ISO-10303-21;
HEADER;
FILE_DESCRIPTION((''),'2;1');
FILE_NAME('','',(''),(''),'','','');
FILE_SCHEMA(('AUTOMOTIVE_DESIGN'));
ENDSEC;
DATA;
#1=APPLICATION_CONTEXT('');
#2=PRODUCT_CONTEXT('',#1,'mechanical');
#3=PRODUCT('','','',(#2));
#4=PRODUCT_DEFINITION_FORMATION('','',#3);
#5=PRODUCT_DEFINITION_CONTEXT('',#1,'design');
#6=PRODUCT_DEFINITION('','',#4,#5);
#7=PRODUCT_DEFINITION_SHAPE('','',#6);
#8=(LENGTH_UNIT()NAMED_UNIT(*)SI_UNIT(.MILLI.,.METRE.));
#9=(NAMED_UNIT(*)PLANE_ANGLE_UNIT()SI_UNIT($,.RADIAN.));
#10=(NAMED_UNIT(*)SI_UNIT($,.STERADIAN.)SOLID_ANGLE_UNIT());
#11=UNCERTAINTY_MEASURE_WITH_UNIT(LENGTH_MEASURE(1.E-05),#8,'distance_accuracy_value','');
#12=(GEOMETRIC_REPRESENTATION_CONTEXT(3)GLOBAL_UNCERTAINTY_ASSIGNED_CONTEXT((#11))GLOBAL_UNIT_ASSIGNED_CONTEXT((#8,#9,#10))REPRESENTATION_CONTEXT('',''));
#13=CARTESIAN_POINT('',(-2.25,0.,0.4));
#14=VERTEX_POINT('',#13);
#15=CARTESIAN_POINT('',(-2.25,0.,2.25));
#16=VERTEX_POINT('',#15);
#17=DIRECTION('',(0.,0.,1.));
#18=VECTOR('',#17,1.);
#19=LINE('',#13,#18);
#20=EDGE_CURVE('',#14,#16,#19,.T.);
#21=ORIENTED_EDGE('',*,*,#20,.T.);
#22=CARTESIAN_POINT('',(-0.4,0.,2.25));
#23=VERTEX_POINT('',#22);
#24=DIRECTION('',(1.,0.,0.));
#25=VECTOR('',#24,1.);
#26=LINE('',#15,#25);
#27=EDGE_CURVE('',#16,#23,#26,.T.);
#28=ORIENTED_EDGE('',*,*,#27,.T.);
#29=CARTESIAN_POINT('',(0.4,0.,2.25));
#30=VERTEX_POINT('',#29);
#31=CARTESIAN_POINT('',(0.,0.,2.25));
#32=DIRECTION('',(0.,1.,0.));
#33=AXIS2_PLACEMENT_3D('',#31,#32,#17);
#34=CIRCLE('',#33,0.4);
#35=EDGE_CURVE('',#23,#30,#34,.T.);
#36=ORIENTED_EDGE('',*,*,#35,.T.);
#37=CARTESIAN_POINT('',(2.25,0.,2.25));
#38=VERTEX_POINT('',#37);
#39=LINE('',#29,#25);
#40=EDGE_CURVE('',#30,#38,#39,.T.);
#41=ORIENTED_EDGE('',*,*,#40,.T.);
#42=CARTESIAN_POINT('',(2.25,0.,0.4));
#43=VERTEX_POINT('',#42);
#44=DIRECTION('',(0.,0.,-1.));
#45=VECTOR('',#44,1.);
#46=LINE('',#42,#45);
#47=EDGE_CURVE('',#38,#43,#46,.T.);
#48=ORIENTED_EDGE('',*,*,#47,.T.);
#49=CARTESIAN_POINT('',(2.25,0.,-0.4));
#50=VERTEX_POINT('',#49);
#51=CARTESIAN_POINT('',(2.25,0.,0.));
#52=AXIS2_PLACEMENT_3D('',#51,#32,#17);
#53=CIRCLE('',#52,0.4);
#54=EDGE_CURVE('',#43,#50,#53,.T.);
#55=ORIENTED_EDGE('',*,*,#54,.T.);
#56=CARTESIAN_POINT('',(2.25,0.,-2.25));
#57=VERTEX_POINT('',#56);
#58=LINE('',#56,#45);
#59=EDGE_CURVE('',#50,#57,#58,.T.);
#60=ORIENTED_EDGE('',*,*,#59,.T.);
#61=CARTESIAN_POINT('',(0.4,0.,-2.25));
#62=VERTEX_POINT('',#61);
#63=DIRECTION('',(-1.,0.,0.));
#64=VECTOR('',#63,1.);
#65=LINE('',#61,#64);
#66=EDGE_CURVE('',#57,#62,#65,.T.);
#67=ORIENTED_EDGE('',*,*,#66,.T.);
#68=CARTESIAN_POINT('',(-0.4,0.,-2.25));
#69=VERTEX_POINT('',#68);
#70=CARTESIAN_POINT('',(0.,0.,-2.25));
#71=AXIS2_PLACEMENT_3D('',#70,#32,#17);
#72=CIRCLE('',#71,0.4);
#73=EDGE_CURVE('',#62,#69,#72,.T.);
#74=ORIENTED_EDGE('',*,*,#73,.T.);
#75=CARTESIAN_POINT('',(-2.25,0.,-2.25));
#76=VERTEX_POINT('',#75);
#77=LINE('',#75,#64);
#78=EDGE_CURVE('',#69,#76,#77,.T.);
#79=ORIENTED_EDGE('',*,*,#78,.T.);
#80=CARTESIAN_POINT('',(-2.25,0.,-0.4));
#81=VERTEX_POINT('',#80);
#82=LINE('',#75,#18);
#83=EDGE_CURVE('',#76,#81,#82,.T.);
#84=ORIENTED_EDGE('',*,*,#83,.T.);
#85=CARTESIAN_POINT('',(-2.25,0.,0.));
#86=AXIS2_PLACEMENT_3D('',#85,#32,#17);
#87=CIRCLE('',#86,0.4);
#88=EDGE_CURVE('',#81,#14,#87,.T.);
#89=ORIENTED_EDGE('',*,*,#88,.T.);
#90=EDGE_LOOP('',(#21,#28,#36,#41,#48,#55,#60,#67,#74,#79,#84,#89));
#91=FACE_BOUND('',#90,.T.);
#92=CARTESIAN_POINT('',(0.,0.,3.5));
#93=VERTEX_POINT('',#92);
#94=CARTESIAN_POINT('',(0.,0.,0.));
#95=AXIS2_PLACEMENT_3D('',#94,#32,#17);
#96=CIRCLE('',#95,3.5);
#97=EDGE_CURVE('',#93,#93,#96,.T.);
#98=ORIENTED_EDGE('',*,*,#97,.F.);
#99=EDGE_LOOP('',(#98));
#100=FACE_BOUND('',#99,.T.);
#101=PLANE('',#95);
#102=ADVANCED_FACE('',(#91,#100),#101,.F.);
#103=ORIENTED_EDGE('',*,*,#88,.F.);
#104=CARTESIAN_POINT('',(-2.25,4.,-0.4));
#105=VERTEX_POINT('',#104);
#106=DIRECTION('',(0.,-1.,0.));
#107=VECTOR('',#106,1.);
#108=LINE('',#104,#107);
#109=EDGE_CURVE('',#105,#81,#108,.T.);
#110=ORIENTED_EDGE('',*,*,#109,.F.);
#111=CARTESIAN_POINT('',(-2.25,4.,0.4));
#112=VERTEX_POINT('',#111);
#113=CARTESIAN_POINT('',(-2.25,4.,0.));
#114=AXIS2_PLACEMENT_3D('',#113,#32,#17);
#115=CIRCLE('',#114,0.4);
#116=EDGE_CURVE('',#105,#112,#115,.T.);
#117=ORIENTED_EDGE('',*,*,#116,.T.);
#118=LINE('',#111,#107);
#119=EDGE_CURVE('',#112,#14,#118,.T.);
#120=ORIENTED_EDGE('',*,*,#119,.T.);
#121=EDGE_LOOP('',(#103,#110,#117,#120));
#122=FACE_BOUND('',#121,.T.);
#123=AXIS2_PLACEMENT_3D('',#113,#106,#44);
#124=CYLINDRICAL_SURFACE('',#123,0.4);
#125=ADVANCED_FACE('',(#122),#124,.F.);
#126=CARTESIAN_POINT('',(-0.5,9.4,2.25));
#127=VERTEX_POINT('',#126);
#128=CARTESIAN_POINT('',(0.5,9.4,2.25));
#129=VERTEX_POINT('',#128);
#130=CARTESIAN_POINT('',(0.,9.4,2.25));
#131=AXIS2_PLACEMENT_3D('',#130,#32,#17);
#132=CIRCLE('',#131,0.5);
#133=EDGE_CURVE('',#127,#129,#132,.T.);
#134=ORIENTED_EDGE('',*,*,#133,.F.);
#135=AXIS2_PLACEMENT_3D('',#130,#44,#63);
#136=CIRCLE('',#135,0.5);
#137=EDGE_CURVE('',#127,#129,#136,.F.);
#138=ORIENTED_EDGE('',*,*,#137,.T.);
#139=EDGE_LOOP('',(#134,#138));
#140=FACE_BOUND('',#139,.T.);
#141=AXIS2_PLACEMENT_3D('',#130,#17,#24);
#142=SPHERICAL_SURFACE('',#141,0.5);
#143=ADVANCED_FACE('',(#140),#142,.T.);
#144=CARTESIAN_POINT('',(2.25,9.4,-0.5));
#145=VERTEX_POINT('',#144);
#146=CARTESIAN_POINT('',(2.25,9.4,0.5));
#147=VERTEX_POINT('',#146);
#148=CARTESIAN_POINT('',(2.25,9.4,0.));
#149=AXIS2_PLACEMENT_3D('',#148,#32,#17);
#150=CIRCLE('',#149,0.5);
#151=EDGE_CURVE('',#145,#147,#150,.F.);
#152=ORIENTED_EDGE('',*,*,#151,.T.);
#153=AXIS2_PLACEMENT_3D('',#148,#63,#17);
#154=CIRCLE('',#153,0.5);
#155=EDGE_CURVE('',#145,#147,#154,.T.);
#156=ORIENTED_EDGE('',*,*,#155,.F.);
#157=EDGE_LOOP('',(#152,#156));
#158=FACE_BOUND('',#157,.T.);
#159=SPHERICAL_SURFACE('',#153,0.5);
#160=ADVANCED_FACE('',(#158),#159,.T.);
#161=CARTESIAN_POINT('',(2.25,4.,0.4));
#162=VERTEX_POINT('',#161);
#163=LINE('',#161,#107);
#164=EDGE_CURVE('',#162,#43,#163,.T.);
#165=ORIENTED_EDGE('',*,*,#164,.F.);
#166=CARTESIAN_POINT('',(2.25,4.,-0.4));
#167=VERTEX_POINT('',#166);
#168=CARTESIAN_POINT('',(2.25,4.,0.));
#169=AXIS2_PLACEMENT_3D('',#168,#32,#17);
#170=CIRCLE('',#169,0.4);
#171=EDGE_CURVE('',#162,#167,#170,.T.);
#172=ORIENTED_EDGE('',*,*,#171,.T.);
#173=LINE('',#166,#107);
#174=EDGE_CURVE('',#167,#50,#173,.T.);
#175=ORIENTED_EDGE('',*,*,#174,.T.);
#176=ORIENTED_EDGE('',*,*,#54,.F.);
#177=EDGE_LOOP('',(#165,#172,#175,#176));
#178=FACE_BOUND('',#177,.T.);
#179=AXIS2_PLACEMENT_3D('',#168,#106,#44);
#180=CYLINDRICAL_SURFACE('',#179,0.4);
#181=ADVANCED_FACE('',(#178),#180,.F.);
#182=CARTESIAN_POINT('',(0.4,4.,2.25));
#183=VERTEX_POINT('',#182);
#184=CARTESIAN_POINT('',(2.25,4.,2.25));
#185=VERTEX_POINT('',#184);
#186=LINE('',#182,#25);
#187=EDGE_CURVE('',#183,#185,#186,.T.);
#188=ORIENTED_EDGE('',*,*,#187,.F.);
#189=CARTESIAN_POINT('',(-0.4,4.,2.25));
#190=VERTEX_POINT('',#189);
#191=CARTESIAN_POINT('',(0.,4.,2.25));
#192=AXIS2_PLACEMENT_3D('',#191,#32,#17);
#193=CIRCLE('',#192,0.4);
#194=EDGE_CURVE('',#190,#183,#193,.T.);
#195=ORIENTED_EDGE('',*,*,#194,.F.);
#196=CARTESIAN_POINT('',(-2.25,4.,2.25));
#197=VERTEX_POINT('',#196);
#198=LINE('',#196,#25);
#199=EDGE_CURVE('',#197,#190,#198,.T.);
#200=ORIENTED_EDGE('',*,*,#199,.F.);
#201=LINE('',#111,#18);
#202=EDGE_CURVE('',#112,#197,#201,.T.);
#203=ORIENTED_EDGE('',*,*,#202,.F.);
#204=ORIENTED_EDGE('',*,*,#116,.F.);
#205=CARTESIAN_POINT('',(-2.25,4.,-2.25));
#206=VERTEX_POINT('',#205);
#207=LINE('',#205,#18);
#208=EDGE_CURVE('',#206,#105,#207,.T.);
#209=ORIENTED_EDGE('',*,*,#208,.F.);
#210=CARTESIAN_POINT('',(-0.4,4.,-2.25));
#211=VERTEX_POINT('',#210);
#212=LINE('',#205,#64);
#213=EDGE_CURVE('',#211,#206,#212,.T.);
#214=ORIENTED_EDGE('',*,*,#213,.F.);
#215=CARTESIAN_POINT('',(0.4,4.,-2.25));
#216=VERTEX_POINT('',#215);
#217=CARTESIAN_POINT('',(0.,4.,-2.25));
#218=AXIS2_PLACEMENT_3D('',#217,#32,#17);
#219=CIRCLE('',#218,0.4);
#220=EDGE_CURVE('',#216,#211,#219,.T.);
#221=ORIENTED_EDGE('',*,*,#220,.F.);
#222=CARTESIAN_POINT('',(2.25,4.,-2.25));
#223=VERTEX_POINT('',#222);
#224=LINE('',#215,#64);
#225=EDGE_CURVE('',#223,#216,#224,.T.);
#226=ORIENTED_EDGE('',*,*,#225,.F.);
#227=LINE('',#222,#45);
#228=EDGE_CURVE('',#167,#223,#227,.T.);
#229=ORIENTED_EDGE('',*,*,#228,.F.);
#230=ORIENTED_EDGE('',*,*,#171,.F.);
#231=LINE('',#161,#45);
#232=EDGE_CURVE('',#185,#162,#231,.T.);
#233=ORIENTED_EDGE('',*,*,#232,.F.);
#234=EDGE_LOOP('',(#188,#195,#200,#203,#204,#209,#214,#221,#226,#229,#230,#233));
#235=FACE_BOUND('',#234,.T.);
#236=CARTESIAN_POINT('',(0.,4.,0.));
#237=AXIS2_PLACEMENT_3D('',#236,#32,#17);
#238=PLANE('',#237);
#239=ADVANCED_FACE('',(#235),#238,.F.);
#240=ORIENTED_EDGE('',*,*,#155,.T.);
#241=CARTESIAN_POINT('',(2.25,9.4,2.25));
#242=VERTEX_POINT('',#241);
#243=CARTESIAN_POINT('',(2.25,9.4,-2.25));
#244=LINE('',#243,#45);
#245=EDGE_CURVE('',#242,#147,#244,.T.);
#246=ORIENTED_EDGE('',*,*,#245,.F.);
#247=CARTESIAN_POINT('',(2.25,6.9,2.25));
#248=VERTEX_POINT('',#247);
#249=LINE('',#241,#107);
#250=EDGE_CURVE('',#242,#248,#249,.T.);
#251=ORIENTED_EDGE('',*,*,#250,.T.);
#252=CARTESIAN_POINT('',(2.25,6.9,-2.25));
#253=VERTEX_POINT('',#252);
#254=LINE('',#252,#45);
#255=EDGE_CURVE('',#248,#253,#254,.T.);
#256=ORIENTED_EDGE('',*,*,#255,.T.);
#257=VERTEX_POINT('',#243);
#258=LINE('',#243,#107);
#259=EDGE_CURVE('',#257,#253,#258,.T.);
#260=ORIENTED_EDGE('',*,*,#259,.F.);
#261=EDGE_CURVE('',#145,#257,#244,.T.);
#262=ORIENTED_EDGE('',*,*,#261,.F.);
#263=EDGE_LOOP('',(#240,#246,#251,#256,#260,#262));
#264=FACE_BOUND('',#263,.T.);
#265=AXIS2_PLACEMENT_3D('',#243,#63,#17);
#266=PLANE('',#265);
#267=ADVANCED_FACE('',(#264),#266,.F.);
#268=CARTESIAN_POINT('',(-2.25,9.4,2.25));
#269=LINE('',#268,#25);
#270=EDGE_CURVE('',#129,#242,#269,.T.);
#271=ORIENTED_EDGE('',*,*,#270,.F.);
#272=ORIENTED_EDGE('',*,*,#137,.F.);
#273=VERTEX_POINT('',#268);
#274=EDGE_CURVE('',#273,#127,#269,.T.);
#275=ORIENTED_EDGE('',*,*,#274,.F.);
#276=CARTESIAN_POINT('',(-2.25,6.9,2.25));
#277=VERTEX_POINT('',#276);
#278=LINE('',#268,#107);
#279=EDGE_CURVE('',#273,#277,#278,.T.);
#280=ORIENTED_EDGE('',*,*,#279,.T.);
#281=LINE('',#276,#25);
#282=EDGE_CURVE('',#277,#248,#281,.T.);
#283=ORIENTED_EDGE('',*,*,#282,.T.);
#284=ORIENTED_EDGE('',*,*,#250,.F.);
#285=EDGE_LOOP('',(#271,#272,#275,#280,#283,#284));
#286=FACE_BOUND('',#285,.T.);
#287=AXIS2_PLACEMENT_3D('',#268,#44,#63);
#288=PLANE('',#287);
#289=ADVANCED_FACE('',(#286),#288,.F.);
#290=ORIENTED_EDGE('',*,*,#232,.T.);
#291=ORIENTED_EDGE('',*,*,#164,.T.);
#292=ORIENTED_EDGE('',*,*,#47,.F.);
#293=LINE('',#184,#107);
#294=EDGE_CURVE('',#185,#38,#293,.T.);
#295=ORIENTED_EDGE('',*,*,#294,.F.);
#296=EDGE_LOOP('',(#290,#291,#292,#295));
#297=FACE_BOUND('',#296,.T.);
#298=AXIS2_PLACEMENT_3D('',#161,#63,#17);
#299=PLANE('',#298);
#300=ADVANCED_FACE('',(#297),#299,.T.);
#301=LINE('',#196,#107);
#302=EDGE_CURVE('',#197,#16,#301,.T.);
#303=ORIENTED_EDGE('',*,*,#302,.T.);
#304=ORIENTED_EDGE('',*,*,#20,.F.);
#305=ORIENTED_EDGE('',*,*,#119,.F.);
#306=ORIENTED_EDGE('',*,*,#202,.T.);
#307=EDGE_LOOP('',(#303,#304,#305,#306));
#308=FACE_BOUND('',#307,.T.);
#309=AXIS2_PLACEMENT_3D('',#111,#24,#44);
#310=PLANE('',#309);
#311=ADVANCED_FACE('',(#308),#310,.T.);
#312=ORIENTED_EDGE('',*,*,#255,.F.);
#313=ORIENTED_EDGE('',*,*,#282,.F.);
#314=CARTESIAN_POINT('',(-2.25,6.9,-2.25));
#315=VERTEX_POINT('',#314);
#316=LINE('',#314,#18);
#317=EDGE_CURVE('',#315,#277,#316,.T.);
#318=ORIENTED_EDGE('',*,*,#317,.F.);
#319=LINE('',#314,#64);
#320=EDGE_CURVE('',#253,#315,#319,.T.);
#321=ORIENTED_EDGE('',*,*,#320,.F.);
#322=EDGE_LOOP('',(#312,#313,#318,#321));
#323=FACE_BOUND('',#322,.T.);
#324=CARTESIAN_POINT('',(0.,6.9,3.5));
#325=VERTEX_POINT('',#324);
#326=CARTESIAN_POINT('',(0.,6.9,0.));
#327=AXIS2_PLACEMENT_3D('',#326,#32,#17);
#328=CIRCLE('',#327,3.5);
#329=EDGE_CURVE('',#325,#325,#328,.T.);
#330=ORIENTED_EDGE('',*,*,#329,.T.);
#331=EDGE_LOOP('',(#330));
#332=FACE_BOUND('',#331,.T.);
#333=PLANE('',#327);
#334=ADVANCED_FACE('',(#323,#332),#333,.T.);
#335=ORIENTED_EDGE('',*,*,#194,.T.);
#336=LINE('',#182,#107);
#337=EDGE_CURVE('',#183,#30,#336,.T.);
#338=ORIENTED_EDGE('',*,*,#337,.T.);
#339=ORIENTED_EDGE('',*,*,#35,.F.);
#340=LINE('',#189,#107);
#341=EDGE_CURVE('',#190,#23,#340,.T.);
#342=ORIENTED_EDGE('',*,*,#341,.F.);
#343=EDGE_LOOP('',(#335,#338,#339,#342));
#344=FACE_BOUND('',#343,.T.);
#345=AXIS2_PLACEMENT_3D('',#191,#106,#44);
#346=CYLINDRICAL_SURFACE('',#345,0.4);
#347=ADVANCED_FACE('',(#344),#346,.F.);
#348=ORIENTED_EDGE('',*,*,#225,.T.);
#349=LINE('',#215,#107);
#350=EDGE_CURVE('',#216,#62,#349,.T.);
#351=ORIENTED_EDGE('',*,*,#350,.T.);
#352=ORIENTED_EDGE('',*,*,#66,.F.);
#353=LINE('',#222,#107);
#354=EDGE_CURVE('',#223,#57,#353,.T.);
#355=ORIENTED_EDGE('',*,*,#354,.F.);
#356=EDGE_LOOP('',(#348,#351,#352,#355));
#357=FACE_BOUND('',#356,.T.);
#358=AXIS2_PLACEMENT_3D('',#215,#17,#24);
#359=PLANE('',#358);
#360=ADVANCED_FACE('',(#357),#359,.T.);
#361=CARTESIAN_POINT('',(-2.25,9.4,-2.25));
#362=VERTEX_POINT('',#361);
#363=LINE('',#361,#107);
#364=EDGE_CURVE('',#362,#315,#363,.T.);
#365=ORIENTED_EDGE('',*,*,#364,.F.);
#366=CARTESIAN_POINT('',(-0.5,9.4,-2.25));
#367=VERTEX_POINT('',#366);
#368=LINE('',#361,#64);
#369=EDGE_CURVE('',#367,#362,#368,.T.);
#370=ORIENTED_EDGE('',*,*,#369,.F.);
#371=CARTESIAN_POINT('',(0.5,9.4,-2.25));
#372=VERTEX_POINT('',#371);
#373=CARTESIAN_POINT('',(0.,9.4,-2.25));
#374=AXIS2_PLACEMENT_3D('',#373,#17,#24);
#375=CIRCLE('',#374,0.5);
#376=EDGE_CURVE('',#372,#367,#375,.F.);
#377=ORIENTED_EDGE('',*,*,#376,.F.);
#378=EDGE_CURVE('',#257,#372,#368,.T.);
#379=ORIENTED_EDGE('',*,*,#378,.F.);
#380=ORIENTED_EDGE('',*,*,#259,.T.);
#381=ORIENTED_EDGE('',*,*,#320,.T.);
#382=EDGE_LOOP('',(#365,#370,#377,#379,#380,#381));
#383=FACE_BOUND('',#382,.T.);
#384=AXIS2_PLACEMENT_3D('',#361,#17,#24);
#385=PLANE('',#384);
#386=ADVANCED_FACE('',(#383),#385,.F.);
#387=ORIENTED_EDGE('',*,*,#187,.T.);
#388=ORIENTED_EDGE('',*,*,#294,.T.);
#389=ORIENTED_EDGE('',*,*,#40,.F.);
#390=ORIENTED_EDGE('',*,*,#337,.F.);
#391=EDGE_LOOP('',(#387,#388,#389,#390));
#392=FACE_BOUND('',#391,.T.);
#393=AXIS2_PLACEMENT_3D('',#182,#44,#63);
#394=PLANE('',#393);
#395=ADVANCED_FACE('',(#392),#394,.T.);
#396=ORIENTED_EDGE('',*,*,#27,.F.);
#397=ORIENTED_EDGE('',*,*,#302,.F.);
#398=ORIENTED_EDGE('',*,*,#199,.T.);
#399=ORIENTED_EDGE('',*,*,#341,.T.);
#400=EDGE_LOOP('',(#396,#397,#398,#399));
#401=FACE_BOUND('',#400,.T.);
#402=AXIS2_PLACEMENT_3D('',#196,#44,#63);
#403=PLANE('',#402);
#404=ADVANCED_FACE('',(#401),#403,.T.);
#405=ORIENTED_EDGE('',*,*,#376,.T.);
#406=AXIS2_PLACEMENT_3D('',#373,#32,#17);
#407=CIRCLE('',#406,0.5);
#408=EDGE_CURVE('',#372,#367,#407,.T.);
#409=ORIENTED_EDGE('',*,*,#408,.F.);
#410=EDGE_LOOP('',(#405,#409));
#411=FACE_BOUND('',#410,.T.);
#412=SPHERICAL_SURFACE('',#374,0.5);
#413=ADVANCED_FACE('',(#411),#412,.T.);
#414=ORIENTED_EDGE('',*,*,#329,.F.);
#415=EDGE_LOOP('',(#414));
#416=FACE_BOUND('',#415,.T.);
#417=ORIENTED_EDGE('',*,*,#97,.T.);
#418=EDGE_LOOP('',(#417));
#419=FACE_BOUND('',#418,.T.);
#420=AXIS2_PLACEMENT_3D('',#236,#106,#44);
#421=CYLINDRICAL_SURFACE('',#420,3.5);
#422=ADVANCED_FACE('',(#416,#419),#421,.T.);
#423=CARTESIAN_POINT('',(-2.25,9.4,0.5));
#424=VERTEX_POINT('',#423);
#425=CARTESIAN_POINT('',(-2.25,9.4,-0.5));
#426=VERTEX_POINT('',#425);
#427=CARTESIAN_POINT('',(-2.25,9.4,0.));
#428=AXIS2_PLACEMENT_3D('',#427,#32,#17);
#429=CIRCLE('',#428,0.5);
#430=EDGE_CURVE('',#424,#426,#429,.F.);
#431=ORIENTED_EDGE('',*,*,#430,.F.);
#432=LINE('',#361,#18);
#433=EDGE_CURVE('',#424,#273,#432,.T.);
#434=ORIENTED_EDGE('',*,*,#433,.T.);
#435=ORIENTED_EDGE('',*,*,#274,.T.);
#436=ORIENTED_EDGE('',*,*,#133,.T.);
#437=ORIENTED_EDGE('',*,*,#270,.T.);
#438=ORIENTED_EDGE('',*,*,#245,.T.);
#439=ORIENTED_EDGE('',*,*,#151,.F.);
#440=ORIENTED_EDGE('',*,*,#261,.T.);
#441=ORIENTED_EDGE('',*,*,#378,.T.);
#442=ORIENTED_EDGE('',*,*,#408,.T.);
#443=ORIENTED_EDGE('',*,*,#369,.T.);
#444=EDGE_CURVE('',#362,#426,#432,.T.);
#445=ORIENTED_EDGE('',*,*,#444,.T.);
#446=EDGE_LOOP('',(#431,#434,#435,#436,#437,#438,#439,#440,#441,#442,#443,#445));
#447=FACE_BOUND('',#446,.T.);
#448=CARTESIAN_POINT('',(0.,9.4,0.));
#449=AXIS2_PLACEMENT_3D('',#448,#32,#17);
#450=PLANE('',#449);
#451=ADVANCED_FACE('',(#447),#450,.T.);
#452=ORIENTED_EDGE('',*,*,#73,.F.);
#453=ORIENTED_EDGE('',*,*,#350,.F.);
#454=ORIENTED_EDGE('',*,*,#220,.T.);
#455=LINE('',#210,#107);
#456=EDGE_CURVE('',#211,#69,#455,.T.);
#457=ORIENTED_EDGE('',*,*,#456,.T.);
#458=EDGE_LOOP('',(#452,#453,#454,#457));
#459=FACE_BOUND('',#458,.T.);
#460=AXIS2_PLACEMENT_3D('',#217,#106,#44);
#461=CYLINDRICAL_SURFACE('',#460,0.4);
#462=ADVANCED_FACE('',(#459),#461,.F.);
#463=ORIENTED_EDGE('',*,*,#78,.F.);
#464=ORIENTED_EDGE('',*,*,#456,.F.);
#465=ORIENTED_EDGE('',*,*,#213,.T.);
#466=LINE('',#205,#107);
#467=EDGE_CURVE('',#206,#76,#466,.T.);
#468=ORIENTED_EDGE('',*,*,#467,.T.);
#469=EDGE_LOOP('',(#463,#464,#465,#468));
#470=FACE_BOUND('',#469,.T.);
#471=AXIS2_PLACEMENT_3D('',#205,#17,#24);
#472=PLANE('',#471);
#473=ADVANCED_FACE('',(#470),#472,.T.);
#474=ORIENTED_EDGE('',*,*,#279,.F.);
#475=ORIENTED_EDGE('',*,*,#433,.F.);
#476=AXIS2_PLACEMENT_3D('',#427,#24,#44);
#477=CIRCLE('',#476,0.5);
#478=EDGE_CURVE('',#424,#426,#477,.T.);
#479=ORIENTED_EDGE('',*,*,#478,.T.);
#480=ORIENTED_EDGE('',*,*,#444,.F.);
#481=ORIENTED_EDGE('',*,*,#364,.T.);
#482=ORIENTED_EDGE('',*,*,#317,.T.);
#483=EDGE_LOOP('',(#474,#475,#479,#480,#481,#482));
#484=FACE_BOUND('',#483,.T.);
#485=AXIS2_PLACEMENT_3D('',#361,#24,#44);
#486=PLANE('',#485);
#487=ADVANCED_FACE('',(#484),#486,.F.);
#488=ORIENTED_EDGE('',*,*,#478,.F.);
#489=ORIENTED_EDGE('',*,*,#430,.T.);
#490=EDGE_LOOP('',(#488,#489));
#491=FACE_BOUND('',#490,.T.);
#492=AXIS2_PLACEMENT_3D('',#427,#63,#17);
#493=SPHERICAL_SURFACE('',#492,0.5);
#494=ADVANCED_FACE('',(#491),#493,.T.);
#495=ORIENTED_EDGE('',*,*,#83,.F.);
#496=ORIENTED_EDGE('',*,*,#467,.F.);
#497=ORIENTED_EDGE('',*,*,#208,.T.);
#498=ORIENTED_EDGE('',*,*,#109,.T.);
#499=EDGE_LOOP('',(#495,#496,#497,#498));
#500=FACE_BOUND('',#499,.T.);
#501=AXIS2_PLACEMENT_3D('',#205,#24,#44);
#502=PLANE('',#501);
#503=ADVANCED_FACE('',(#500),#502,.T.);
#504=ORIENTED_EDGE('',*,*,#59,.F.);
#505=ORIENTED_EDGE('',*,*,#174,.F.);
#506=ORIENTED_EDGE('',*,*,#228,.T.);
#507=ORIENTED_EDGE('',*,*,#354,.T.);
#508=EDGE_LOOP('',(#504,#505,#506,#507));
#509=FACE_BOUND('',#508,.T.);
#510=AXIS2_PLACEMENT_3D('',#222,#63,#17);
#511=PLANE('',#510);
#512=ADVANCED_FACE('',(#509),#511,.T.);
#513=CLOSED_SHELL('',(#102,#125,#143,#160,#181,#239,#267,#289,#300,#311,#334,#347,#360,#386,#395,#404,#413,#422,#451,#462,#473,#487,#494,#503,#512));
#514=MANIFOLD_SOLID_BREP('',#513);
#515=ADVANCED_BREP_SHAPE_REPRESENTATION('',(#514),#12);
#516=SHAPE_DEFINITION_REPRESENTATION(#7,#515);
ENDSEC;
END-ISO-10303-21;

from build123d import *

# Parameters (mm, degrees)
SKETCH_1_R          = 3.5
EXTRUDE_1_DEPTH     = 4
SKETCH_3_R          = 3.5
EXTRUDE_2_DEPTH     = 2.9
SKETCH_4_W          = 4.5
SKETCH_4_H          = 4.5
EXTRUDE_3_DEPTH     = 2.5
SKETCH_7_R          = 3.5
CUT_EXTRUDE_1_DEPTH = 10


with BuildPart() as part:
    # 草图1 → 凸台-拉伸1 (new body)
    with BuildSketch(Plane(origin=(0, 0, 0), x_dir=(1, 0, 0), z_dir=(0, 1, 0))):
        Circle(SKETCH_1_R)
        with BuildLine():
            Line((-2.25, 2.25), (-0.4, 2.25))
            ThreePointArc((-0.4, 2.25), (0, 2.65), (0.4, 2.25))
            Line((0.4, 2.25), (2.25, 2.25))
            Line((2.25, 2.25), (2.25, 0.4))
            ThreePointArc((2.25, 0.4), (2.65, 0), (2.25, -0.4))
            Line((2.25, -0.4), (2.25, -2.25))
            Line((2.25, -2.25), (0.4, -2.25))
            ThreePointArc((0.4, -2.25), (0, -2.65), (-0.4, -2.25))
            Line((-0.4, -2.25), (-2.25, -2.25))
            Line((-2.25, -2.25), (-2.25, -0.4))
            ThreePointArc((-2.25, -0.4), (-2.65, 0), (-2.25, 0.4))
            Line((-2.25, 0.4), (-2.25, 2.25))
        make_face(mode=Mode.SUBTRACT)
    extrude(amount=EXTRUDE_1_DEPTH)

    # 草图3 → 凸台-拉伸2 (add)
    with BuildSketch(Plane(origin=(0, 4, 0), x_dir=(1, 0, 0), z_dir=(0, 1, 0))):
        Circle(SKETCH_3_R)
    extrude(amount=EXTRUDE_2_DEPTH)

    # 草图4 → 凸台-拉伸3 (add)
    with BuildSketch(Plane(origin=(0, 6.9, 0), x_dir=(1, 0, 0), z_dir=(0, 1, 0))):
        Rectangle(SKETCH_4_W, SKETCH_4_H)
    extrude(amount=EXTRUDE_3_DEPTH)

    # 草图5 → 旋转1 (revolve)
    with BuildSketch(Plane(origin=(0, 9.4, 0), x_dir=(1, 0, 0), z_dir=(0, 1, 0))):
        with BuildLine():
            Line((-2.75, 0), (-1.75, 0))
            ThreePointArc((-1.75, 0), (-2.25, -0.5), (-2.75, 0))
        make_face()
        with BuildLine():
            Line((1.75, 0), (2.75, 0))
            ThreePointArc((2.75, 0), (2.25, -0.5), (1.75, 0))
        make_face()
    revolve(axis=Axis((-2.75, 9.4, 0), (1, 0, 0)))

    # 草图6 → 旋转2 (revolve)
    with BuildSketch(Plane(origin=(0, 9.4, 0), x_dir=(1, 0, 0), z_dir=(0, 1, 0))):
        with BuildLine():
            Line((0, -2.75), (0, -1.75))
            ThreePointArc((0, -1.75), (-0.5, -2.25), (0, -2.75))
        make_face()
        with BuildLine():
            Line((0, 1.75), (0, 2.75))
            ThreePointArc((0, 2.75), (-0.5, 2.25), (0, 1.75))
        make_face()
    revolve(axis=Axis((0, 9.4, 2.75), (0, 0, -1)))

    # 草图7 → 切除-拉伸1 (cut)
    with BuildSketch(Plane(origin=(0, 9.4, 0), x_dir=(1, 0, 0), z_dir=(0, 1, 0))):
        Circle(SKETCH_7_R)
    extrude(amount=CUT_EXTRUDE_1_DEPTH, mode=Mode.SUBTRACT)


solid = part.part
